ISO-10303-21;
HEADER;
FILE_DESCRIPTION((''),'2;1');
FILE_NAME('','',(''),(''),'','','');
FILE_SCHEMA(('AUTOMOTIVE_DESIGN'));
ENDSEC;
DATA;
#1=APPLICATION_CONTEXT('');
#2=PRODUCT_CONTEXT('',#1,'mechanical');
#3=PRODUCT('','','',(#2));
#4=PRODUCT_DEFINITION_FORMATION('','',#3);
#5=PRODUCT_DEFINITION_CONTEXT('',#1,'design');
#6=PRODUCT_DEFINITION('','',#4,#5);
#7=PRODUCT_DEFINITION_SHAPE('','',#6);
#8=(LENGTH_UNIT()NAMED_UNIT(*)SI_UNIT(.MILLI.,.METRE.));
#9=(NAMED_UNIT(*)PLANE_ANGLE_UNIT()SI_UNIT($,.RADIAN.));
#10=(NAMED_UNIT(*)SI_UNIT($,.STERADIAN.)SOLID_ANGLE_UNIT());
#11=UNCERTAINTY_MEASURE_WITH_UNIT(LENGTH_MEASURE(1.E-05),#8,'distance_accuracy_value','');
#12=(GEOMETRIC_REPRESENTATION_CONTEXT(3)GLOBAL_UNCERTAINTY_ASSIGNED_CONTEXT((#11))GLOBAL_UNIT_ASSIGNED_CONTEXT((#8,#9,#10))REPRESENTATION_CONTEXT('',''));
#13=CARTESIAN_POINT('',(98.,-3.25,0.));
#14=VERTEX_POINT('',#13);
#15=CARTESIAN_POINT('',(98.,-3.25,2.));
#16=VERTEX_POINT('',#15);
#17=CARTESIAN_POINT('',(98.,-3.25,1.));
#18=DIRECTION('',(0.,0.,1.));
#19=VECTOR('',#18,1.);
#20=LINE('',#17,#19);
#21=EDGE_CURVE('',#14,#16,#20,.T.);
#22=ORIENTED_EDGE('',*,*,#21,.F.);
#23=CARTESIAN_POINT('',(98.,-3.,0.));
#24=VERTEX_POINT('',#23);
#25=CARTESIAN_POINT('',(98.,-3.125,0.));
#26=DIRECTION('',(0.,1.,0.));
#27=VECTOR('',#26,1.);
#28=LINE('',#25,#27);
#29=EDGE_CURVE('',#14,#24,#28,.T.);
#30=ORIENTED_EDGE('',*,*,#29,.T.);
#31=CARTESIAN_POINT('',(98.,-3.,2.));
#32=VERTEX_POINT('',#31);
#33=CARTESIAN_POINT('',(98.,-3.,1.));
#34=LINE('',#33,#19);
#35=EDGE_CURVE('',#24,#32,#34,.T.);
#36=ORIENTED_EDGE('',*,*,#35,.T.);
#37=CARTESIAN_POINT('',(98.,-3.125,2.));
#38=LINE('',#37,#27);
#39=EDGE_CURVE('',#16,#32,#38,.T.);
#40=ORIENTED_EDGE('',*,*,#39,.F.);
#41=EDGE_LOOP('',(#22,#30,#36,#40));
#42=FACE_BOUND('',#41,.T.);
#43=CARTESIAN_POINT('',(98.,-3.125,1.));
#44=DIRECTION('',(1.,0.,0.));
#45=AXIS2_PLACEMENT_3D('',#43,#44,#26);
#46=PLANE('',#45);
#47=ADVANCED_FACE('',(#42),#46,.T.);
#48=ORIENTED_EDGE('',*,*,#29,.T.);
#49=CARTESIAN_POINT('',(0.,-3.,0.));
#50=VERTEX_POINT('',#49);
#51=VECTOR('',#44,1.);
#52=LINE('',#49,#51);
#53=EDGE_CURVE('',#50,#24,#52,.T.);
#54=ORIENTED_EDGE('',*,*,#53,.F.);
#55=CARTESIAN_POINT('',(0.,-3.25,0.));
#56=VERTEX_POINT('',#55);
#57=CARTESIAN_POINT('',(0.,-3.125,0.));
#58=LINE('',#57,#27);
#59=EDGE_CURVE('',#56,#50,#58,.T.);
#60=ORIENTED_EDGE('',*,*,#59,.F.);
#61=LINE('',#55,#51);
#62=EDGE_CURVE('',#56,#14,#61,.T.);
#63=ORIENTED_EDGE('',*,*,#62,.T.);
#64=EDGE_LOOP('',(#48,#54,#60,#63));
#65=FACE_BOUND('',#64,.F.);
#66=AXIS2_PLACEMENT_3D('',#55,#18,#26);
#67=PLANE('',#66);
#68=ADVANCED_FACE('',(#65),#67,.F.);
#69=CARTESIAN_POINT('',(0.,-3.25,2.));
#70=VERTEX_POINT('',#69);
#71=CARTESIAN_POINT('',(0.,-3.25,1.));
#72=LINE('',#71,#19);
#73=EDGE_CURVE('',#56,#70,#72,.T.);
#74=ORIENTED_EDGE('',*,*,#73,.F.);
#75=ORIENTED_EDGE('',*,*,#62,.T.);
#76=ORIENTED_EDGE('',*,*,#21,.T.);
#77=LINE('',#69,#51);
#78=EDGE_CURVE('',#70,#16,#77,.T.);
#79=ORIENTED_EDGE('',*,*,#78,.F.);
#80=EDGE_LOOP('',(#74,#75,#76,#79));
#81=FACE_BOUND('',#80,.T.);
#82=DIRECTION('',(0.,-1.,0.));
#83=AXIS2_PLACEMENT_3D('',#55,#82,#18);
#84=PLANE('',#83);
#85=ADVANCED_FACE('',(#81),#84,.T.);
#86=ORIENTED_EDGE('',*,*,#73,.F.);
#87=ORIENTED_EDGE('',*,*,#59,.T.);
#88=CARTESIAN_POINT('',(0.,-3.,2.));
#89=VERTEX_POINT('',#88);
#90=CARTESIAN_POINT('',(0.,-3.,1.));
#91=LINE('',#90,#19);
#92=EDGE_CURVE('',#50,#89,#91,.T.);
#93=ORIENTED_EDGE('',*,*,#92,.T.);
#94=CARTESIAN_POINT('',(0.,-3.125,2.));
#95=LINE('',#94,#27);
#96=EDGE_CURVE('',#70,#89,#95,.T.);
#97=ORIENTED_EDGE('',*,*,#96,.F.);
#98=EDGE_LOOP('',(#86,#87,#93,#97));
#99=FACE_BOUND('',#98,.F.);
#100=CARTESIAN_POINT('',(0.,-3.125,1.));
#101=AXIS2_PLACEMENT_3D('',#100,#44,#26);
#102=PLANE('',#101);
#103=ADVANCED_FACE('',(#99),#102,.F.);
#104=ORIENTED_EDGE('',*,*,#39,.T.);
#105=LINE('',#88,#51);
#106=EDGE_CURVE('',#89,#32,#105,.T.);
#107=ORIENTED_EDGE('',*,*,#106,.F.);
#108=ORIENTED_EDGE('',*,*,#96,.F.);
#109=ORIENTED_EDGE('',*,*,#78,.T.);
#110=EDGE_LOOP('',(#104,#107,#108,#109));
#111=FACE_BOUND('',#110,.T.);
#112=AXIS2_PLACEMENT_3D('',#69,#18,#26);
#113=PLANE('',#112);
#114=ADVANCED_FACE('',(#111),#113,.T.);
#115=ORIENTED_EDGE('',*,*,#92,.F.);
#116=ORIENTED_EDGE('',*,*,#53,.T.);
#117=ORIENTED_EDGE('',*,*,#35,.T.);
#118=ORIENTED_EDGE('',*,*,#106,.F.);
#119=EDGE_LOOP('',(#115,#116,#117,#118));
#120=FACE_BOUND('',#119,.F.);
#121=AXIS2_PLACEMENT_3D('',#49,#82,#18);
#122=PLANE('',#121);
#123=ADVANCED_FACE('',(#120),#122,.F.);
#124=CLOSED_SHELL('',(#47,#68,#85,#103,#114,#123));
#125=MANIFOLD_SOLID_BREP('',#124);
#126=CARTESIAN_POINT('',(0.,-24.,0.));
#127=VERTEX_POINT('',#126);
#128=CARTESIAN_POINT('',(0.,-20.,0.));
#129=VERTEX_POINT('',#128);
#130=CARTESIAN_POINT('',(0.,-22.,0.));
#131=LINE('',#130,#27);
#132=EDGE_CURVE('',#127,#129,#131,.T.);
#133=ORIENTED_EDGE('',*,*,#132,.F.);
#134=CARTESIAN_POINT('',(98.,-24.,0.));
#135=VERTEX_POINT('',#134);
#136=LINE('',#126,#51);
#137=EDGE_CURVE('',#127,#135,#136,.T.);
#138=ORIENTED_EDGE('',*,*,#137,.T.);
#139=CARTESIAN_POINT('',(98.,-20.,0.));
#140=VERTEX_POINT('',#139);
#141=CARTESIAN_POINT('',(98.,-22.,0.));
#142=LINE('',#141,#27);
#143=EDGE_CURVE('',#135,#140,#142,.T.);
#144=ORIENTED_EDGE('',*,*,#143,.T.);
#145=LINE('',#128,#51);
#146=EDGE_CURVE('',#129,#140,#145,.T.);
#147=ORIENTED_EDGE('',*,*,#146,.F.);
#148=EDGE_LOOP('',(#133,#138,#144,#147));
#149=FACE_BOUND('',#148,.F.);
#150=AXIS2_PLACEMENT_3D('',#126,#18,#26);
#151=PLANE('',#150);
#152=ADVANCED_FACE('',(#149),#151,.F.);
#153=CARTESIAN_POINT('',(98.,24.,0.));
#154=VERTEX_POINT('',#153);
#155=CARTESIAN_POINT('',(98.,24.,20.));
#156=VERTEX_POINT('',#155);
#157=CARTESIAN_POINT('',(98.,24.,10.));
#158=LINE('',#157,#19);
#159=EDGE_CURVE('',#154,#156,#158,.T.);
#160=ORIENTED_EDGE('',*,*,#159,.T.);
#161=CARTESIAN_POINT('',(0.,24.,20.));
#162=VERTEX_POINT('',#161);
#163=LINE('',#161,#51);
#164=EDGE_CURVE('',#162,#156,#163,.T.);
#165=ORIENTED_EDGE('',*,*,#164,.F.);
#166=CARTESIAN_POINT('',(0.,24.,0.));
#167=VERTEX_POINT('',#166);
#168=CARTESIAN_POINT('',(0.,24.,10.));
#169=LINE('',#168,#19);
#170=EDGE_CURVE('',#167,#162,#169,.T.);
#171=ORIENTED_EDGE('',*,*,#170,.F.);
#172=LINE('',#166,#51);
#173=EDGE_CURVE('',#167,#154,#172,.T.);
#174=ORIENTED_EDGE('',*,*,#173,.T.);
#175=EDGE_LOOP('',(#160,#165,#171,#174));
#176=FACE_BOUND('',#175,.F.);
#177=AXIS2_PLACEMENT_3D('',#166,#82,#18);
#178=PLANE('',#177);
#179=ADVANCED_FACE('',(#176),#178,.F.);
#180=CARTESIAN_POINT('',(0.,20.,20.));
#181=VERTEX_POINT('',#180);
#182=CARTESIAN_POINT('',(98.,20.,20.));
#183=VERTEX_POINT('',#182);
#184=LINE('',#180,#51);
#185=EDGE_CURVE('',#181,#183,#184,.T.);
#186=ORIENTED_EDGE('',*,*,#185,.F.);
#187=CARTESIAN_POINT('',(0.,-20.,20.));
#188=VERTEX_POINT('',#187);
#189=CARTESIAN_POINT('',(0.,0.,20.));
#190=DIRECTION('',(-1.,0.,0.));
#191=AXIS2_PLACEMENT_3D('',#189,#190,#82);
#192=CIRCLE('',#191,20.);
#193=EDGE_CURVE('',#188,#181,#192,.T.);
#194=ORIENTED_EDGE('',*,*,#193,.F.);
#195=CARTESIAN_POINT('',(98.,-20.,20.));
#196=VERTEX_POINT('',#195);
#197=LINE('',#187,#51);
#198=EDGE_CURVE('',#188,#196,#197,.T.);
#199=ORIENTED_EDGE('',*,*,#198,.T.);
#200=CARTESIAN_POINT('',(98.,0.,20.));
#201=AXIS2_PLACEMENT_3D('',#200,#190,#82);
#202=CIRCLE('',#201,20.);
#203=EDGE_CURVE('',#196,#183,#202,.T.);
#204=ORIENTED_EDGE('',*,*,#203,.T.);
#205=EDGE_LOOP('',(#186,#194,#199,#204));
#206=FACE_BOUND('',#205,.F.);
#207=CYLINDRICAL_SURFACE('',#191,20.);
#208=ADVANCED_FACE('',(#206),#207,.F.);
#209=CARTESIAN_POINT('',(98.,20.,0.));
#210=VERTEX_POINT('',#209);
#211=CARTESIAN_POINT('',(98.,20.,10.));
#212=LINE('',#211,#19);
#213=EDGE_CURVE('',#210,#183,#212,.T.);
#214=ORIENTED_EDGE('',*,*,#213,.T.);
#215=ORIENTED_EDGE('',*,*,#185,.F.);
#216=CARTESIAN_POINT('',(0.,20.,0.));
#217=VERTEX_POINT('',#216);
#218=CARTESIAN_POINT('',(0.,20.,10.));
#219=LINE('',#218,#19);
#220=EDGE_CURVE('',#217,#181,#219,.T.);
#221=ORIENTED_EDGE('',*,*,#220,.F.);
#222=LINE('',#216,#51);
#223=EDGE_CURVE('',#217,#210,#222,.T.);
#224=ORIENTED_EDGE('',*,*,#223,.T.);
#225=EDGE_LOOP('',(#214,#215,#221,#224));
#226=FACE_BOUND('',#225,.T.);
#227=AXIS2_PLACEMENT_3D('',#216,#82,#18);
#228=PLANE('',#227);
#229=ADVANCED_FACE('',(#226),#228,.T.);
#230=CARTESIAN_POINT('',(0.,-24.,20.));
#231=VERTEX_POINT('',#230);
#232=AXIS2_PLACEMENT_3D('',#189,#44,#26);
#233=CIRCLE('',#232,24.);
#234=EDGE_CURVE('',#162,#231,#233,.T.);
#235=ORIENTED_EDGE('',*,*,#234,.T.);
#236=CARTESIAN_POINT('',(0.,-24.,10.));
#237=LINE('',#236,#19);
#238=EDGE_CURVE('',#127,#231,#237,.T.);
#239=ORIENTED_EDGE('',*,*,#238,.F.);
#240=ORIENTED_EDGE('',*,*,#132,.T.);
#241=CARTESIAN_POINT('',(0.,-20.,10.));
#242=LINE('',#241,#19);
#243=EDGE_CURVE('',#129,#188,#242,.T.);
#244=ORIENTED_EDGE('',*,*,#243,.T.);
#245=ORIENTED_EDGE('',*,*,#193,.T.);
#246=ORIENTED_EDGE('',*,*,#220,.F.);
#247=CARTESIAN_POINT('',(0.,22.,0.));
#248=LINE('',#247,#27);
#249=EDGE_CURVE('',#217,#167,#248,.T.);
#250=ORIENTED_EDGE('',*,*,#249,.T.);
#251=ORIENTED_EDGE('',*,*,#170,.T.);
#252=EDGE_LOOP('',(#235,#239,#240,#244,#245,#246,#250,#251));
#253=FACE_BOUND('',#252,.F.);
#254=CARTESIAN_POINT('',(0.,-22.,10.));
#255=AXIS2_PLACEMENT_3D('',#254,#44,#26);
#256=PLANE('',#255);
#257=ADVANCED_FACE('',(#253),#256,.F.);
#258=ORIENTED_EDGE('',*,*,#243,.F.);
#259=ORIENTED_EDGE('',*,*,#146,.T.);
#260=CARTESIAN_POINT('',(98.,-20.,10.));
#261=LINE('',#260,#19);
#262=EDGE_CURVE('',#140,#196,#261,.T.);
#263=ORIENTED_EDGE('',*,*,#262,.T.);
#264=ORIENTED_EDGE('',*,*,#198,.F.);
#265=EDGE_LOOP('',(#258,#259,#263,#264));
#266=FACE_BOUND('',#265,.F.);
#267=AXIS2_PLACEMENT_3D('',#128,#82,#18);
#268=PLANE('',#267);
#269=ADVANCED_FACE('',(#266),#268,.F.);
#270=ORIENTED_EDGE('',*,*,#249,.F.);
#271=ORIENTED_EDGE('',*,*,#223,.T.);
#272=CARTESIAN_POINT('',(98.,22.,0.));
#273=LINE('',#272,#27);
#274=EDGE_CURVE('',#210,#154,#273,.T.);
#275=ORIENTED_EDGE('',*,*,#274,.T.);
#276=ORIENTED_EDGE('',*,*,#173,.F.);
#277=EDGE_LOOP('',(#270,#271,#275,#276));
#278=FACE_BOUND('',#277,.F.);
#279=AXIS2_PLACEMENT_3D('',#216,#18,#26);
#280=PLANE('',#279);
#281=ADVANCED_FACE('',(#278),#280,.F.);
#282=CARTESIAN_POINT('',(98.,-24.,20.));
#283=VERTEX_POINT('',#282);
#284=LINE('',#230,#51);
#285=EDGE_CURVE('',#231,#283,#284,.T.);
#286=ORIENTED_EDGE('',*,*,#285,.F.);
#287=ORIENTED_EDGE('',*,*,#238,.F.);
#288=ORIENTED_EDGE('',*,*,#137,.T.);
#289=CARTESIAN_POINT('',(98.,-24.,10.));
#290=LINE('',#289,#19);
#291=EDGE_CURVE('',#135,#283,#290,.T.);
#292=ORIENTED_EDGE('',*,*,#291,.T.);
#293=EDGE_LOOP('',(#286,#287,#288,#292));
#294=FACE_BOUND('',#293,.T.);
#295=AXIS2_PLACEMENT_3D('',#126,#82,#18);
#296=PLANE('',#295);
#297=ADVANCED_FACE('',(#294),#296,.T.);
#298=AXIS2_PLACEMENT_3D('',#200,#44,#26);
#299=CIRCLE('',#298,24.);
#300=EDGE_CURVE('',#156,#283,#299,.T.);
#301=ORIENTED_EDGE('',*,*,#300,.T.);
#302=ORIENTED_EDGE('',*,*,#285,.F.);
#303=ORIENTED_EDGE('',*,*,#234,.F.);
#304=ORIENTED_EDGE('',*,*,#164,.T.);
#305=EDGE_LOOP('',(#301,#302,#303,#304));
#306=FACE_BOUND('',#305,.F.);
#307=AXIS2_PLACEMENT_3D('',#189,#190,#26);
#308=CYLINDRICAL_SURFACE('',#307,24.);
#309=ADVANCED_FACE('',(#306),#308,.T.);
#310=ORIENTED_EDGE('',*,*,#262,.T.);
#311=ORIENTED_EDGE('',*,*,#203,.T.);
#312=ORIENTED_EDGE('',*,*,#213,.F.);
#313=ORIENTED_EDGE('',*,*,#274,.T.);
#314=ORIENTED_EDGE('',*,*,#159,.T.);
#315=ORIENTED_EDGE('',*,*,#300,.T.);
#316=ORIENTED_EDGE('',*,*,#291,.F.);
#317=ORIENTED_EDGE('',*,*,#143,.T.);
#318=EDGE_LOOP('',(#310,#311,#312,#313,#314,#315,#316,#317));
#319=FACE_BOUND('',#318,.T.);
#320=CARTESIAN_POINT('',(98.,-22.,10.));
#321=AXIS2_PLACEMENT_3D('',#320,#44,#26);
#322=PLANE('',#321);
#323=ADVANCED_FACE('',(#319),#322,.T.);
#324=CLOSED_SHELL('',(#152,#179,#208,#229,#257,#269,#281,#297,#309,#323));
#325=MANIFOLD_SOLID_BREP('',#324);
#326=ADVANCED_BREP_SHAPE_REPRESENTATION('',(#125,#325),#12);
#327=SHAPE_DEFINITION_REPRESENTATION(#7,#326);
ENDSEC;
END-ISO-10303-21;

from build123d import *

# Parameters (mm, degrees)
F1_W     = 4
F1_H     = 20
F0_W     = 0.25
F0_H     = 2
F2_DEPTH = 98


with BuildPart() as f2:
    # F1 (on Right) + F0 (on Right) → F2 (new body)
    with BuildSketch(Plane.YZ):
        with Locations((-22, 10)):
            Rectangle(F1_W, F1_H)
        with Locations((22, 10)):
            Rectangle(F1_W, F1_H)
        with BuildLine():
            Line((-24, 20), (-20, 20))
            ThreePointArc((-20, 20), (0, 40), (20, 20))
            Line((20, 20), (24, 20))
            ThreePointArc((24, 20), (0, 44), (-24, 20))
        make_face()
    with BuildSketch(Plane.YZ):
        with Locations((-3.125, 1)):
            Rectangle(F0_W, F0_H)
    extrude(amount=F2_DEPTH)


solid = f2.part
